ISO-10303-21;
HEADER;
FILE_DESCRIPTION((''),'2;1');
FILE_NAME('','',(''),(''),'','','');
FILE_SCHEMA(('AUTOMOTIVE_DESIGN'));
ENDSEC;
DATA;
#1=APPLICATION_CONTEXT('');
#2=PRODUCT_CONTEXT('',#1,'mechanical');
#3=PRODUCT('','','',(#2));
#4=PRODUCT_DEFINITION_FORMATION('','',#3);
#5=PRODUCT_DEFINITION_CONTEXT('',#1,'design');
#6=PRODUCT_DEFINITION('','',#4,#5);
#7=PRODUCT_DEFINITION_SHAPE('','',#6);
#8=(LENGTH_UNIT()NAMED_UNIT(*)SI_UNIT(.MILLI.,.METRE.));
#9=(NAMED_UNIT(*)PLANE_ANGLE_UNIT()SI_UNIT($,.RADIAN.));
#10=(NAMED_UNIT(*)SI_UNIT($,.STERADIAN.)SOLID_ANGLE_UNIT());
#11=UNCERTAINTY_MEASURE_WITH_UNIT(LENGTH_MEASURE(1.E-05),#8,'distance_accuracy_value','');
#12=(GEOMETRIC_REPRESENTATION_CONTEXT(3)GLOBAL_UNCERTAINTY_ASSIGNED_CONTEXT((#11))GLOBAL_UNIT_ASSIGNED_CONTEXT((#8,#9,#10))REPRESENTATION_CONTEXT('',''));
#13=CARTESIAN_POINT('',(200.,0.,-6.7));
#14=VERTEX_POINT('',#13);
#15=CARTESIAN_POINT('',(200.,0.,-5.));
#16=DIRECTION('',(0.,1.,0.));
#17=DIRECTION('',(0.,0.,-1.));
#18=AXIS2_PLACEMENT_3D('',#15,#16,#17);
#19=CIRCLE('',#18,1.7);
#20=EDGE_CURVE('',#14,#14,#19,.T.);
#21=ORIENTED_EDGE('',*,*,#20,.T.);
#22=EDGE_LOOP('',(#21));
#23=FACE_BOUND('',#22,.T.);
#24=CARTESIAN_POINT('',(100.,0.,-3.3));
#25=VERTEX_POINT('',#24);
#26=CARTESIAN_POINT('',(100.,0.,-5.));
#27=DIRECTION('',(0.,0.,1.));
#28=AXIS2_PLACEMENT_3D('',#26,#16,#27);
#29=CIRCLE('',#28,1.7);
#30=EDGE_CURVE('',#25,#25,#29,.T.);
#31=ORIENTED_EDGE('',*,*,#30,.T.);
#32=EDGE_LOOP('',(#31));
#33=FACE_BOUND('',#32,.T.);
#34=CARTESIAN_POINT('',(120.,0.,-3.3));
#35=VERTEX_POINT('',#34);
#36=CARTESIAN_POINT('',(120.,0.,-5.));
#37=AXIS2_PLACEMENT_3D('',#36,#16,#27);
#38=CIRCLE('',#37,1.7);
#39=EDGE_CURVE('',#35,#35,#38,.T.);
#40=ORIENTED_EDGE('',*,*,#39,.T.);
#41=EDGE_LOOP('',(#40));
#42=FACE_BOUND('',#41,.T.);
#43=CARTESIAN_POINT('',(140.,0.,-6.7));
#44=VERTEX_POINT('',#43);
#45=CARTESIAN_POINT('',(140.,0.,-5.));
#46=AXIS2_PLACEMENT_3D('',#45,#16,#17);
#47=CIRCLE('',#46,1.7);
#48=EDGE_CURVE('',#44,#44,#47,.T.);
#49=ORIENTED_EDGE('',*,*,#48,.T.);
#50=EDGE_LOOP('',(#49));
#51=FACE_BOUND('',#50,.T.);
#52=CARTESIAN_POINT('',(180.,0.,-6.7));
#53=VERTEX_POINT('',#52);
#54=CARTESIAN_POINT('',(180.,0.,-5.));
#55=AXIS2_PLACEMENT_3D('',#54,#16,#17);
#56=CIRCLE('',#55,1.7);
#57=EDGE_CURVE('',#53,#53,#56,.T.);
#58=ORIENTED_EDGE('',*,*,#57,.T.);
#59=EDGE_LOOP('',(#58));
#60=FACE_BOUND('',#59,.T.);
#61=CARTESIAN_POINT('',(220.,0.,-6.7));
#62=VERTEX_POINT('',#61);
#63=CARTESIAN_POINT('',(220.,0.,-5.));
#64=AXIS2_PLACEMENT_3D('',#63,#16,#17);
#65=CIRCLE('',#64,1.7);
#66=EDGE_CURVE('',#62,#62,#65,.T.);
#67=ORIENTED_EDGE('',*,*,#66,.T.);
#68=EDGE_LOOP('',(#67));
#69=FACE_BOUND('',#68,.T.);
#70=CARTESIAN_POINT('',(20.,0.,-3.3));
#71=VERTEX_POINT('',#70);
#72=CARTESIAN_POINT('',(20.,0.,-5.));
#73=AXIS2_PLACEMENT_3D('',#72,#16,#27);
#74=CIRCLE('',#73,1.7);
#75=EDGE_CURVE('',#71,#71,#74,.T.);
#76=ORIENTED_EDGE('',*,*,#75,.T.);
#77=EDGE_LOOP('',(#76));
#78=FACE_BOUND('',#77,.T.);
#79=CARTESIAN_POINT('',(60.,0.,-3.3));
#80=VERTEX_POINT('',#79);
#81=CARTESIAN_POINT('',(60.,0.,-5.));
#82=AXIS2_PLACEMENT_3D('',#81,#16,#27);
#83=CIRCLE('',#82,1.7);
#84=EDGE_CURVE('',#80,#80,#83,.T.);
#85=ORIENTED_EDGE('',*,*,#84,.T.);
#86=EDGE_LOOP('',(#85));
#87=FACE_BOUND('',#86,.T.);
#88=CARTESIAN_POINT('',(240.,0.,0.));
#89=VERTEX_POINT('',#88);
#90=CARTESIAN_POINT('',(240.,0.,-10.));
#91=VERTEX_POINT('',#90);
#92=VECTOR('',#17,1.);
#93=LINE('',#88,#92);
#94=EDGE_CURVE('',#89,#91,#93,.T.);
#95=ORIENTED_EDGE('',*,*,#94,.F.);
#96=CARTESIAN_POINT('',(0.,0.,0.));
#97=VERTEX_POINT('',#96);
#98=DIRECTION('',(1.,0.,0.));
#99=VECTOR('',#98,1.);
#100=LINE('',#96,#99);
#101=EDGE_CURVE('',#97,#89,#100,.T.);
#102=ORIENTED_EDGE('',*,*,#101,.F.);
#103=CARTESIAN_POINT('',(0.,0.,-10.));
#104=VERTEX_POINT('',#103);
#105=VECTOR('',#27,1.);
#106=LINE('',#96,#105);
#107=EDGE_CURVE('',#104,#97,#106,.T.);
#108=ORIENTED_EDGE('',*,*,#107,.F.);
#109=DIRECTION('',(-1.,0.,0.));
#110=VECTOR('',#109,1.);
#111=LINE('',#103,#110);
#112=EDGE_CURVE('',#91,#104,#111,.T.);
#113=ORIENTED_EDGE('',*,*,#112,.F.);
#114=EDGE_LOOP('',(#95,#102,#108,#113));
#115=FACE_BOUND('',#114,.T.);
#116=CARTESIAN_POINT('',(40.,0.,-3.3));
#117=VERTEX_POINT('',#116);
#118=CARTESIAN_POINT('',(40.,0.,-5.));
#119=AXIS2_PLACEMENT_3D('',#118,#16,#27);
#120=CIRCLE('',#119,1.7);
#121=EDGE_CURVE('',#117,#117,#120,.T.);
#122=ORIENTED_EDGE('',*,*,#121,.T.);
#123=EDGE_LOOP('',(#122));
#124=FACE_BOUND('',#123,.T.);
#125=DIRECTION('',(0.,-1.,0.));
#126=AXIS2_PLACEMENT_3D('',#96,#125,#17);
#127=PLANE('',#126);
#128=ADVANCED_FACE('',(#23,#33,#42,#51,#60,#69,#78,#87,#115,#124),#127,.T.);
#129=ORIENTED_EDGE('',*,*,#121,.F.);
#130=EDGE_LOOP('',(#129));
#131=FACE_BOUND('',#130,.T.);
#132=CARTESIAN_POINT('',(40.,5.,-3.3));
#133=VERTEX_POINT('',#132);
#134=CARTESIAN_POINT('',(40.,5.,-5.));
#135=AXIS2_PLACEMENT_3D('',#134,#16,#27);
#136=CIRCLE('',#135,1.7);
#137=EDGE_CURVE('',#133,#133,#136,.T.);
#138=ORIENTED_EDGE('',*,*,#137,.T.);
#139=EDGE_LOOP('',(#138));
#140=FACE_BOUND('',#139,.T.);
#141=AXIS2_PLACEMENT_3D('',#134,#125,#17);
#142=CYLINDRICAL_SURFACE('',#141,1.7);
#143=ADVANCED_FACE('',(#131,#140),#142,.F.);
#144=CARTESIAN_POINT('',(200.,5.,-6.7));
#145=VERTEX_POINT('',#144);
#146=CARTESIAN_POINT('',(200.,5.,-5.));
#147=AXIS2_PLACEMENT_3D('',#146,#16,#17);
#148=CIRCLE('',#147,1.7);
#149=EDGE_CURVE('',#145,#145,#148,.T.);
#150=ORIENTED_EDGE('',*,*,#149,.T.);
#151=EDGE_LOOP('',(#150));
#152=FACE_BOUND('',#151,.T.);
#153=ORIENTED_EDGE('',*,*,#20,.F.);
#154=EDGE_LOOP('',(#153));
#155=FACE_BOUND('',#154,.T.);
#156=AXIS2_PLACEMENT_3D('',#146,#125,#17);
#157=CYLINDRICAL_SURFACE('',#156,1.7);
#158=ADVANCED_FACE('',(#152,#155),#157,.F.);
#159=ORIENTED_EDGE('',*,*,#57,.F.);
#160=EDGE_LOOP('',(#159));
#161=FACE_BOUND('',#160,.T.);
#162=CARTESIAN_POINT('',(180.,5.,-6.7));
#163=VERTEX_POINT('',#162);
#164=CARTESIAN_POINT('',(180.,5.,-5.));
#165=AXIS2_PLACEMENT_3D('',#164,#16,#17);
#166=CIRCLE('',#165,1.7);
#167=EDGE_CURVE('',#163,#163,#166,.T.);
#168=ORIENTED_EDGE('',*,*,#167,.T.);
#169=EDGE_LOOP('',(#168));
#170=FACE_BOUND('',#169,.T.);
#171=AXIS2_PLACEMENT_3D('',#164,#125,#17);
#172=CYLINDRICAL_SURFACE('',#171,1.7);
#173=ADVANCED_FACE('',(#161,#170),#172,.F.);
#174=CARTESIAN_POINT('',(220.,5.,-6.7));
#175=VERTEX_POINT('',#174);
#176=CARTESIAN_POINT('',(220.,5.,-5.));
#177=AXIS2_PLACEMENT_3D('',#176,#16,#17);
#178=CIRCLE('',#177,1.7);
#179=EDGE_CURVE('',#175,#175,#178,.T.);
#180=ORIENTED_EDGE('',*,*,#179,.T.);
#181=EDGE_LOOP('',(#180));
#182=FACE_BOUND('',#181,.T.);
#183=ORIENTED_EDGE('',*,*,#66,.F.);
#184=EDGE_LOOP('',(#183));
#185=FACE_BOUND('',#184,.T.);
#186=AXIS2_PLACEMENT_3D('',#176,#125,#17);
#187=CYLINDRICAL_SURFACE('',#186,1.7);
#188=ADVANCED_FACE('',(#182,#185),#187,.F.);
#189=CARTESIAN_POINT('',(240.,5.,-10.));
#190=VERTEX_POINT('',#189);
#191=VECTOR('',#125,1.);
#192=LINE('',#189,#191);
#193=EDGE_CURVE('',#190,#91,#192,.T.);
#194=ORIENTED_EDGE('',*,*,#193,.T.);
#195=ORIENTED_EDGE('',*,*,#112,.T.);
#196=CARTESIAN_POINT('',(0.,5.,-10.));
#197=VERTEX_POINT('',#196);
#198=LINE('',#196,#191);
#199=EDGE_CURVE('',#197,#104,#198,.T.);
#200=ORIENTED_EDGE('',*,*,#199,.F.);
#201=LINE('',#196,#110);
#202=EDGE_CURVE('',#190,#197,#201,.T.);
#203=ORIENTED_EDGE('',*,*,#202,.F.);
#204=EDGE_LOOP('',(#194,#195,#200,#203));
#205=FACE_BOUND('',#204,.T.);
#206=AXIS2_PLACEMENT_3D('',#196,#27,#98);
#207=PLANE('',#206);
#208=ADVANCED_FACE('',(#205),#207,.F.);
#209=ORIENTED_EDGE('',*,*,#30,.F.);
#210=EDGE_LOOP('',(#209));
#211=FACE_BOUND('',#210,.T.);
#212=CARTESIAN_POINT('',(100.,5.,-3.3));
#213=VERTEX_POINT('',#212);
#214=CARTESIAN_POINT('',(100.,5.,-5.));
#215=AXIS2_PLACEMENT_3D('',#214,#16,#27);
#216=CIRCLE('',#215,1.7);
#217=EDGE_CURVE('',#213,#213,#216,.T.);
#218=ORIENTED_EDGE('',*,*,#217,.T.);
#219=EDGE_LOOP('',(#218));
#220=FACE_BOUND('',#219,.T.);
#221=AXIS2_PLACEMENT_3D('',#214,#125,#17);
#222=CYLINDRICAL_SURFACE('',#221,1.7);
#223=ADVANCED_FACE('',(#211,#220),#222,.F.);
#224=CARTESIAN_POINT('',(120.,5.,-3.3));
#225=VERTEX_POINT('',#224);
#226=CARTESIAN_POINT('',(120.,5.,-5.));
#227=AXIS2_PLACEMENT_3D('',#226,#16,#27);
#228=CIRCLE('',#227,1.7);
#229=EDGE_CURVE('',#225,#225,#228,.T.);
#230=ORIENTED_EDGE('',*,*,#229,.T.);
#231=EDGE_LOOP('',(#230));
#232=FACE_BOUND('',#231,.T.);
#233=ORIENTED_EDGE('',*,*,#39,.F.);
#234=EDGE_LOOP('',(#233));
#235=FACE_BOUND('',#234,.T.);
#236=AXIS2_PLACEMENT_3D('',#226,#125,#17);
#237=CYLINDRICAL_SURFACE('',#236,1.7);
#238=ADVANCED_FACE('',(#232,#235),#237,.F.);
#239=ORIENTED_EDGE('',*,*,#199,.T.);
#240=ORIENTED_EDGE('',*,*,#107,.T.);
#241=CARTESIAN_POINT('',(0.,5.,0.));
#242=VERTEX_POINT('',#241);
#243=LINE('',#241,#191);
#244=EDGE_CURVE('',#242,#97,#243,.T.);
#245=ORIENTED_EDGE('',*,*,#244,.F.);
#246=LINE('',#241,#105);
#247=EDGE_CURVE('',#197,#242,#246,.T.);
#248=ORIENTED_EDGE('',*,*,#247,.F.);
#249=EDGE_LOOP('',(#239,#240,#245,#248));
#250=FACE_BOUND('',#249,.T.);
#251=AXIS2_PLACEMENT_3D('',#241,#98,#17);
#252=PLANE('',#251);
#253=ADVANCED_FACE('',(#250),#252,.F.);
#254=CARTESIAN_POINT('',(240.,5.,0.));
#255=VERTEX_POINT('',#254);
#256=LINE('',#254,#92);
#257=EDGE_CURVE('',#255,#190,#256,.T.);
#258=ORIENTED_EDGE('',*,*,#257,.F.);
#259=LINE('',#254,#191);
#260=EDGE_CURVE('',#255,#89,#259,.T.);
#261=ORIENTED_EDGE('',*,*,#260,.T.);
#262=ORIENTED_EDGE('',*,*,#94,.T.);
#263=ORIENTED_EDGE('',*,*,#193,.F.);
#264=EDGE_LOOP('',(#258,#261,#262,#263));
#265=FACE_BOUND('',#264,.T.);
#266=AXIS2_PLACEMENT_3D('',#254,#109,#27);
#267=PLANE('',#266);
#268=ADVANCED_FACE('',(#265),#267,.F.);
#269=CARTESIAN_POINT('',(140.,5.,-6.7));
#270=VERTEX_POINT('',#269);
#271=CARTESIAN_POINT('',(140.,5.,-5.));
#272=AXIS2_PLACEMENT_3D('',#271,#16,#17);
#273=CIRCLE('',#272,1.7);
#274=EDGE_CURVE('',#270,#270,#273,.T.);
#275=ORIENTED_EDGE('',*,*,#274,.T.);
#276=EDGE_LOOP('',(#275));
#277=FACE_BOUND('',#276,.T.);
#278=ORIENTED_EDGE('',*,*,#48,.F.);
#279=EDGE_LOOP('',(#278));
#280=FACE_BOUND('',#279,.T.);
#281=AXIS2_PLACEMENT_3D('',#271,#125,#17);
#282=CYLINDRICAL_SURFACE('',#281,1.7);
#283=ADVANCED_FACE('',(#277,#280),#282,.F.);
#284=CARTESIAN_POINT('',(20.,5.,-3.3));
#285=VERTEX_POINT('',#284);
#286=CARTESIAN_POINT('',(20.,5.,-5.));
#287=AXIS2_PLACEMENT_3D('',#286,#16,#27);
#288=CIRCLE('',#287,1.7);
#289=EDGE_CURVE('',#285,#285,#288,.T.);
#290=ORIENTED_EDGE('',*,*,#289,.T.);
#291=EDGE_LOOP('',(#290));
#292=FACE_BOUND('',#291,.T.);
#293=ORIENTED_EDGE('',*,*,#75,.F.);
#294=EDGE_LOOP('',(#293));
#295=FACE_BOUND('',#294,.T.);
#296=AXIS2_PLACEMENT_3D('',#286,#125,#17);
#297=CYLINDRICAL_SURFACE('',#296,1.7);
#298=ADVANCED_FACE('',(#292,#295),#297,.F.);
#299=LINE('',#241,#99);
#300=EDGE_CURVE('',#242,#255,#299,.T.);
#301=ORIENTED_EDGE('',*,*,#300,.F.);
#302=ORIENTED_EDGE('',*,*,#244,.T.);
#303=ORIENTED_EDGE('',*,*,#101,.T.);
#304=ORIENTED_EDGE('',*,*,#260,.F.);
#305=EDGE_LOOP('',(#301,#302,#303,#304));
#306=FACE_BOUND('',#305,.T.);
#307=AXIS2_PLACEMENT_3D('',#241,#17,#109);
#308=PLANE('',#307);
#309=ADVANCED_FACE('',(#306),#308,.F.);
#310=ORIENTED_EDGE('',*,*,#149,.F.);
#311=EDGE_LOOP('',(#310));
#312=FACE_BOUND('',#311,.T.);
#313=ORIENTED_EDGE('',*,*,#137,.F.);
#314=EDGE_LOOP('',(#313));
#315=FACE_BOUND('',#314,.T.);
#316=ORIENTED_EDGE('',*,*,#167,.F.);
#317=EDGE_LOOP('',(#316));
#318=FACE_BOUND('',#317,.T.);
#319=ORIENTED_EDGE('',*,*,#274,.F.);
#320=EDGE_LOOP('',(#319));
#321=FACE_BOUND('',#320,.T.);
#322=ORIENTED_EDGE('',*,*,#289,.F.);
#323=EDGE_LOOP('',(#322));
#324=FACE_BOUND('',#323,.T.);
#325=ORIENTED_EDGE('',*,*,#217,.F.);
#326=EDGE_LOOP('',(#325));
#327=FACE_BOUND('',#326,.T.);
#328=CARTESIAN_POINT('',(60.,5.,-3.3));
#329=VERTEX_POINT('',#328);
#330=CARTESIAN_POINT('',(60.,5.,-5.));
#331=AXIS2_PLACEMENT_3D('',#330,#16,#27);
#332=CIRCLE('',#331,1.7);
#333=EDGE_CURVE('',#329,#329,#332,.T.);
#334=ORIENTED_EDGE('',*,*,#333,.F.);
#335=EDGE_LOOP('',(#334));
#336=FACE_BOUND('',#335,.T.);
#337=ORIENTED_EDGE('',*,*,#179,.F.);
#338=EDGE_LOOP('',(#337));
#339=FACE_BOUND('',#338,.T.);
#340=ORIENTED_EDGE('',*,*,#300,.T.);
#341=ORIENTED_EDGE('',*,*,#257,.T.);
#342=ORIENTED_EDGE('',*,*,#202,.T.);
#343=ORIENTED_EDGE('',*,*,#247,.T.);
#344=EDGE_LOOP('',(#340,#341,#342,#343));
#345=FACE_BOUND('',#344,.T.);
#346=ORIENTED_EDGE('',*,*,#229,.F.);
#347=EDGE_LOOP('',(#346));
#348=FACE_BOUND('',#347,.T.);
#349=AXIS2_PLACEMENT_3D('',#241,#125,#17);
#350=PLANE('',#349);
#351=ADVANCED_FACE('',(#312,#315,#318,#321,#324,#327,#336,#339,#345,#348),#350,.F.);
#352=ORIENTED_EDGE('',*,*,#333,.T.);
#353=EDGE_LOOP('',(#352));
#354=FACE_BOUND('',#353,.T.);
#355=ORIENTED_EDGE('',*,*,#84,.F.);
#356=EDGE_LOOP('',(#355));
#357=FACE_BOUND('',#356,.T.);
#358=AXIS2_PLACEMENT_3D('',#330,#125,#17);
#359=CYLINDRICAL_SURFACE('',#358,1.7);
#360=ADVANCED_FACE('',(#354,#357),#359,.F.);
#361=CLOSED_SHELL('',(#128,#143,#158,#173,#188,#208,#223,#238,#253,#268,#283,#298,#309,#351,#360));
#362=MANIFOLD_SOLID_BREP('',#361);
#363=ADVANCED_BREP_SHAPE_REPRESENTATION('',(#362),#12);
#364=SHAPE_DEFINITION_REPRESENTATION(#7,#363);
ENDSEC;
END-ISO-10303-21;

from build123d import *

# Parameters (mm, degrees)
SKETCH_1_W      = 240
SKETCH_1_H      = 10
SKETCH_1_R      = 1.7
EXTRUDE_1_DEPTH = 5


with BuildPart() as part:
    # 草图1 → 凸台-拉伸1 (new body)
    with BuildSketch(Plane(origin=(0, 0, 0), x_dir=(1, 0, 0), z_dir=(0, 1, 0))):
        with Locations((120, 5)):
            Rectangle(SKETCH_1_W, SKETCH_1_H)
        with Locations(Location((20, 5, 0), (0, 0, 270))):
            Circle(SKETCH_1_R, mode=Mode.SUBTRACT)
        with Locations(Location((40, 5, 0), (0, 0, 270))):
            Circle(SKETCH_1_R, mode=Mode.SUBTRACT)
        with Locations(Location((120, 5, 0), (0, 0, 270))):
            Circle(SKETCH_1_R, mode=Mode.SUBTRACT)
        with Locations(Location((60, 5, 0), (0, 0, 270))):
            Circle(SKETCH_1_R, mode=Mode.SUBTRACT)
        with Locations(Location((100, 5, 0), (0, 0, 270))):
            Circle(SKETCH_1_R, mode=Mode.SUBTRACT)
        with Locations(Location((140, 5, 0), (0, 0, 90))):
            Circle(SKETCH_1_R, mode=Mode.SUBTRACT)
        with Locations(Location((180, 5, 0), (0, 0, 90))):
            Circle(SKETCH_1_R, mode=Mode.SUBTRACT)
        with Locations(Location((200, 5, 0), (0, 0, 90))):
            Circle(SKETCH_1_R, mode=Mode.SUBTRACT)
        with Locations(Location((220, 5, 0), (0, 0, 90))):
            Circle(SKETCH_1_R, mode=Mode.SUBTRACT)
    extrude(amount=EXTRUDE_1_DEPTH)


solid = part.part
